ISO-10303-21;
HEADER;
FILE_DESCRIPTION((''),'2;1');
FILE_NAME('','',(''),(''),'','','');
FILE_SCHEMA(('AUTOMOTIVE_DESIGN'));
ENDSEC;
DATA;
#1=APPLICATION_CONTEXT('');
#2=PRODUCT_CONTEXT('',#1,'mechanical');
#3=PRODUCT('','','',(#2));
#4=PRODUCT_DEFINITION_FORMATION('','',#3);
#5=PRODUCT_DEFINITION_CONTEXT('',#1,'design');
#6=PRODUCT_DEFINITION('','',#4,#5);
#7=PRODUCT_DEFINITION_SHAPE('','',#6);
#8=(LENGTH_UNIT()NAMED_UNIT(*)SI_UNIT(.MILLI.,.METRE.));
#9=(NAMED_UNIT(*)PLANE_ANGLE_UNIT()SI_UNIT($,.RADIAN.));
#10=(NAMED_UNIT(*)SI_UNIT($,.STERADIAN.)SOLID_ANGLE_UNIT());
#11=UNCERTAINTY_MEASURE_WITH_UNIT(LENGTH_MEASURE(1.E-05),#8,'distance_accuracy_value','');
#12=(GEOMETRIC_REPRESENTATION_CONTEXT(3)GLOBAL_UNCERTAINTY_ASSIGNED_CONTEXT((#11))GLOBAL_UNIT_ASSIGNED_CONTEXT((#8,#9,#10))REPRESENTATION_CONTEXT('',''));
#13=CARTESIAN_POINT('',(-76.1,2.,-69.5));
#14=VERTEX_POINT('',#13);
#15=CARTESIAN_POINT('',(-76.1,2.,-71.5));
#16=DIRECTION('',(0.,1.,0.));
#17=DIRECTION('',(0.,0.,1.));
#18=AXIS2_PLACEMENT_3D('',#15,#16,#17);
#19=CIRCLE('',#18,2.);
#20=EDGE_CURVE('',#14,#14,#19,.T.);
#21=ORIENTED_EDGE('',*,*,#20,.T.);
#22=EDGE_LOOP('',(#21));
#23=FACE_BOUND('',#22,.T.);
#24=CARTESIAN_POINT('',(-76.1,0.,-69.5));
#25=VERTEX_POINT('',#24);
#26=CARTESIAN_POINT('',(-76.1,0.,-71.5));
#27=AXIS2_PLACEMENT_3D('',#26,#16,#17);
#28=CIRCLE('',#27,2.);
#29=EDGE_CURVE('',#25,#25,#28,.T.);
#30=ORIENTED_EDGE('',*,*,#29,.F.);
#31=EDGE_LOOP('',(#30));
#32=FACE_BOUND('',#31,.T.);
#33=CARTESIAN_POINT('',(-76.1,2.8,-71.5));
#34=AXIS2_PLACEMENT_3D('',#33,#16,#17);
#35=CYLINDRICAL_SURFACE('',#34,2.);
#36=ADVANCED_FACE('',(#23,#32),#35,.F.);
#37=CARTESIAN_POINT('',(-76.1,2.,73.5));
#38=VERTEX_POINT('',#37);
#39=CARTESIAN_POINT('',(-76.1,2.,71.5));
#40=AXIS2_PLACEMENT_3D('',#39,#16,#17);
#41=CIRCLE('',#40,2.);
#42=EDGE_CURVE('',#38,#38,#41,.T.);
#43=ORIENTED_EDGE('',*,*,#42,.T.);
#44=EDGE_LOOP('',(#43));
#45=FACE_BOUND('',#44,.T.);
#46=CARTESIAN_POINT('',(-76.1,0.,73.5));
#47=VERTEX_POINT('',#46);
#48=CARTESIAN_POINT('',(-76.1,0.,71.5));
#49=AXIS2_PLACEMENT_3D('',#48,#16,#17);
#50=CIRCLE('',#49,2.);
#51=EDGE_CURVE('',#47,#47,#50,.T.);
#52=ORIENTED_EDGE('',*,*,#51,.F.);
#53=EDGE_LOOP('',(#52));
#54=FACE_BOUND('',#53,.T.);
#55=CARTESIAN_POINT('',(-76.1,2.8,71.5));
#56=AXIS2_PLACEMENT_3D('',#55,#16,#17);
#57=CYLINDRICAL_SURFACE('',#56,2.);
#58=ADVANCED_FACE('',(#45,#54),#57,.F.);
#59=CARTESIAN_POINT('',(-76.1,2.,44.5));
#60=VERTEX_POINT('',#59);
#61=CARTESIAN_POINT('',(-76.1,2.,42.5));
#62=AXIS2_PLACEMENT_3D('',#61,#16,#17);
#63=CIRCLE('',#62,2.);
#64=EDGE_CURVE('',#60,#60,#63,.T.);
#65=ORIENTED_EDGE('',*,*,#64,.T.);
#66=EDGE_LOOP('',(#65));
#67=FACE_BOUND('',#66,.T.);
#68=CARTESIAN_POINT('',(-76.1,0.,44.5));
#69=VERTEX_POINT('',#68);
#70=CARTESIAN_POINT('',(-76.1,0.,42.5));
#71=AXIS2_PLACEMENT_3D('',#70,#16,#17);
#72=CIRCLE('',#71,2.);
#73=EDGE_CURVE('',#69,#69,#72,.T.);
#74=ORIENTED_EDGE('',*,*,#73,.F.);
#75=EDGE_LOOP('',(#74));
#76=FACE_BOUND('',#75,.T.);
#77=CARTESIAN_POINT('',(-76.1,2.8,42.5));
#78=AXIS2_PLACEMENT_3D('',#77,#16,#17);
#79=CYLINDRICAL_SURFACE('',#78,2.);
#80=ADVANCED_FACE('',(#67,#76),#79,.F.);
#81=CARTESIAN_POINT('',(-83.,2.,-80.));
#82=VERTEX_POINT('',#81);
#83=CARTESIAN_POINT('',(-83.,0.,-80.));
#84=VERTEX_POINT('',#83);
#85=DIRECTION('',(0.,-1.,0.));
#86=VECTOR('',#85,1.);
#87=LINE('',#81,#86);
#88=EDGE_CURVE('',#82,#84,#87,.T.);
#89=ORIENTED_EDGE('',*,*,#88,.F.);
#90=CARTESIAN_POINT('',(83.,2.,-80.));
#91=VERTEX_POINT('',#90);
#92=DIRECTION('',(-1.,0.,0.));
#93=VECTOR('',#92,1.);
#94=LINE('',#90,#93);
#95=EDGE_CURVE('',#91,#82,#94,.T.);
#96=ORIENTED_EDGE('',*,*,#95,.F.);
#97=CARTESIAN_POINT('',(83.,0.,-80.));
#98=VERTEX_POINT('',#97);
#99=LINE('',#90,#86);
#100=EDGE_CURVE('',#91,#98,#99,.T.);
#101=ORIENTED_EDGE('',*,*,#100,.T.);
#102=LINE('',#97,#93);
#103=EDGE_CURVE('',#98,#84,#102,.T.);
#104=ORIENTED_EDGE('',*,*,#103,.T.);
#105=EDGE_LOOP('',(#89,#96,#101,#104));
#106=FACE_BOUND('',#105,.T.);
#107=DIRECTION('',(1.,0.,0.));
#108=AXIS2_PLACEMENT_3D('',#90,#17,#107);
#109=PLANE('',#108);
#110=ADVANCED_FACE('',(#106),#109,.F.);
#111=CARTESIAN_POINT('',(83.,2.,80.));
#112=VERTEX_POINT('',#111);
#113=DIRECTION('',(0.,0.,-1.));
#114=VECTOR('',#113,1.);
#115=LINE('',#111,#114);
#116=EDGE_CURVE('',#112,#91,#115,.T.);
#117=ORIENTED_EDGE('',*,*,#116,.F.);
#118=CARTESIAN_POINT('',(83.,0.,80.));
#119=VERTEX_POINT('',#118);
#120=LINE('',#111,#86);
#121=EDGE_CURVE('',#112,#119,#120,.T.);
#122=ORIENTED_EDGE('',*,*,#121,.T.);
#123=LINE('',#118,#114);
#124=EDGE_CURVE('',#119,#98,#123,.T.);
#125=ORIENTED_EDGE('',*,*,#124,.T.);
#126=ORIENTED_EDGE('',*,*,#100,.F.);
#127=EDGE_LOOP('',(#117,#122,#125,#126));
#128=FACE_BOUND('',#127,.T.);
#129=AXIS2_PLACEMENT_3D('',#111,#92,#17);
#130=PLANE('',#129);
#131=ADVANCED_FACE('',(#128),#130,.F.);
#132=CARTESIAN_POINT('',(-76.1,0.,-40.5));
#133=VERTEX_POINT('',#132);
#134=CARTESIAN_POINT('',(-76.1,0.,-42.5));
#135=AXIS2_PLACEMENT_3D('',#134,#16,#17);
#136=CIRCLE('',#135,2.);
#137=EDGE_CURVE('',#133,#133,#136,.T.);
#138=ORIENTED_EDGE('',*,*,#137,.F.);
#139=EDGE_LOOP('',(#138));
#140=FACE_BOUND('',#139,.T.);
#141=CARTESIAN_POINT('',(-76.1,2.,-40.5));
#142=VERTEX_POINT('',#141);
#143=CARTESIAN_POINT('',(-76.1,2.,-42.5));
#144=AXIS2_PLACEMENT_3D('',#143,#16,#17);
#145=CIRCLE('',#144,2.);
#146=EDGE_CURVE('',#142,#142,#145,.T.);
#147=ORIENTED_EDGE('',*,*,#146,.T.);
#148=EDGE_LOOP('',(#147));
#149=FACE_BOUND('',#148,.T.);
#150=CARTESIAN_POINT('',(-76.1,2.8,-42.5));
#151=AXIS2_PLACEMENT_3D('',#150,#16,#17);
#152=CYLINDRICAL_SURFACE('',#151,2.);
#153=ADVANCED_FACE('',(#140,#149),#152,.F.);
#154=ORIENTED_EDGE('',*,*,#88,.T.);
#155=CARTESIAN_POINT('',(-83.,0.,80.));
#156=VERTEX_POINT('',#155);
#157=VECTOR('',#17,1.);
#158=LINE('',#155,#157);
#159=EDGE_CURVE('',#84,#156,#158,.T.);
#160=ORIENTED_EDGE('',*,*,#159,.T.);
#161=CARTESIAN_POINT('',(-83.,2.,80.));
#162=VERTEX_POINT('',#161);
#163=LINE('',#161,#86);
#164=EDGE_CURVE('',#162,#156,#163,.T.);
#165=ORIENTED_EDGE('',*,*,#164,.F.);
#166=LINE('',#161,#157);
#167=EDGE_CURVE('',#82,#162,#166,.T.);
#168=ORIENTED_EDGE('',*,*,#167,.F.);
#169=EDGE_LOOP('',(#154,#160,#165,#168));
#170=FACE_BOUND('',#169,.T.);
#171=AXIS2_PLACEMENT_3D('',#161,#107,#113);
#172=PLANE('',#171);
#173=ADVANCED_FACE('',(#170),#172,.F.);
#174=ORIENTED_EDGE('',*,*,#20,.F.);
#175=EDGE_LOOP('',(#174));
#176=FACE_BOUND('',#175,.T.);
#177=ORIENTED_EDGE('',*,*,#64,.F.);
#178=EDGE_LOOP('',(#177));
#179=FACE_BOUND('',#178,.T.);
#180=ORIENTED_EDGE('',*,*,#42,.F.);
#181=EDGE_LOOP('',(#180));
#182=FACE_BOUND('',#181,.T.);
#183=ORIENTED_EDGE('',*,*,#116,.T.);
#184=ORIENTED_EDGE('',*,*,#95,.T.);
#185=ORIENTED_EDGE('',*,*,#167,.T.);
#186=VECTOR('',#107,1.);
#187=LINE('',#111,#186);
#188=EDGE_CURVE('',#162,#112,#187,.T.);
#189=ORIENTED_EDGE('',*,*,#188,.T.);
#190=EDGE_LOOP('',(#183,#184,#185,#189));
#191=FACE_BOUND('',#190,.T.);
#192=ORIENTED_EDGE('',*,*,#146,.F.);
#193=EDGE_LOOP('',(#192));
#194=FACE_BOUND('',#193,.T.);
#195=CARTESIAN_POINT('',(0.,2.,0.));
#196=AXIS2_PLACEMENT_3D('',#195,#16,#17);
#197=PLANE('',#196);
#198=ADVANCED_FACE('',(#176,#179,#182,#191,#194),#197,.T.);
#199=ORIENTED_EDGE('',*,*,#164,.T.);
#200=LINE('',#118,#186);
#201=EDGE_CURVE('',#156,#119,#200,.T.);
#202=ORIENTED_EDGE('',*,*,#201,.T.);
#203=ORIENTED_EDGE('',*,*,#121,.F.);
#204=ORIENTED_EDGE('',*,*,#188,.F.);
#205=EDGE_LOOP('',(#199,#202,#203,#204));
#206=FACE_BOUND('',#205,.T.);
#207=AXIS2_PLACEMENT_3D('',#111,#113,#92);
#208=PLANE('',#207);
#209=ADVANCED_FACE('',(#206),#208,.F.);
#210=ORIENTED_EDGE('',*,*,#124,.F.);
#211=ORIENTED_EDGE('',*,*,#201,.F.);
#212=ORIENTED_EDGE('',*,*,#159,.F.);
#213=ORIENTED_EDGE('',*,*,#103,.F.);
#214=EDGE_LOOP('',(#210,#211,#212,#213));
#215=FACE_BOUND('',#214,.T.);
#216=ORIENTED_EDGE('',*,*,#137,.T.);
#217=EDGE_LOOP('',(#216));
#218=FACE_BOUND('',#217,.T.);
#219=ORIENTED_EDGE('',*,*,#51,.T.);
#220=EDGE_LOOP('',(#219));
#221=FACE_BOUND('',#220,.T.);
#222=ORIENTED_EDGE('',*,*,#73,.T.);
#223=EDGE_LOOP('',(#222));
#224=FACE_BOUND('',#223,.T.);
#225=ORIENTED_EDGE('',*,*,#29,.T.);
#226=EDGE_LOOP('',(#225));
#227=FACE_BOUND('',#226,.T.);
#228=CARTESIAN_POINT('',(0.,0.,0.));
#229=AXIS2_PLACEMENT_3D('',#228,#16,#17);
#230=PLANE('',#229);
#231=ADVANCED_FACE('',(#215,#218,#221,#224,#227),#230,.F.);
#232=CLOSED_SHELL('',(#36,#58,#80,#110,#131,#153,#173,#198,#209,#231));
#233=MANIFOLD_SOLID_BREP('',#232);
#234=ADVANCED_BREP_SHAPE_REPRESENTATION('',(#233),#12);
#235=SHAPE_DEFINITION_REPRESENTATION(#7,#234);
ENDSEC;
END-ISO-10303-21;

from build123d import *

# Parameters (mm, degrees)
SKETCH_1_W      = 166
SKETCH_1_H      = 160
EXTRUDE_1_DEPTH = 2
MM_2_D          = 4
MM_2_DEPTH      = 10
MM_2_TIP        = 1.201721238


with BuildPart() as part:
    # 草图1 → 凸台-拉伸1 (new body)
    with BuildSketch(Plane(origin=(0, 0, 0), x_dir=(1, 0, 0), z_dir=(0, 1, 0))):
        Rectangle(SKETCH_1_W, SKETCH_1_H)
    extrude(amount=EXTRUDE_1_DEPTH)

    # 大小mm 暗销孔2
    with Locations(Plane(origin=(45.636831669, 2.8, 467.05931397), x_dir=(0.07852837759024327, 0, 0.9969118787099711), z_dir=(0, 1, 0))):
        with Locations((-404.949854974, -103.656881575), (-403.897574678, -90.298262111), (-432.80801916, -88.020939161), (-433.860299457, -101.379558625), (-547.50825363, -92.42732358), (-518.597809147, -94.70464653), (-517.545528888, -81.346027355), (-546.45597337, -79.068704405)):
            Hole(MM_2_D / 2, depth=MM_2_DEPTH)
            with Locations((0, 0, -(MM_2_DEPTH + MM_2_TIP / 2))):  # 118° drill point
                Cone(0, MM_2_D / 2, MM_2_TIP, mode=Mode.SUBTRACT)


solid = part.part
